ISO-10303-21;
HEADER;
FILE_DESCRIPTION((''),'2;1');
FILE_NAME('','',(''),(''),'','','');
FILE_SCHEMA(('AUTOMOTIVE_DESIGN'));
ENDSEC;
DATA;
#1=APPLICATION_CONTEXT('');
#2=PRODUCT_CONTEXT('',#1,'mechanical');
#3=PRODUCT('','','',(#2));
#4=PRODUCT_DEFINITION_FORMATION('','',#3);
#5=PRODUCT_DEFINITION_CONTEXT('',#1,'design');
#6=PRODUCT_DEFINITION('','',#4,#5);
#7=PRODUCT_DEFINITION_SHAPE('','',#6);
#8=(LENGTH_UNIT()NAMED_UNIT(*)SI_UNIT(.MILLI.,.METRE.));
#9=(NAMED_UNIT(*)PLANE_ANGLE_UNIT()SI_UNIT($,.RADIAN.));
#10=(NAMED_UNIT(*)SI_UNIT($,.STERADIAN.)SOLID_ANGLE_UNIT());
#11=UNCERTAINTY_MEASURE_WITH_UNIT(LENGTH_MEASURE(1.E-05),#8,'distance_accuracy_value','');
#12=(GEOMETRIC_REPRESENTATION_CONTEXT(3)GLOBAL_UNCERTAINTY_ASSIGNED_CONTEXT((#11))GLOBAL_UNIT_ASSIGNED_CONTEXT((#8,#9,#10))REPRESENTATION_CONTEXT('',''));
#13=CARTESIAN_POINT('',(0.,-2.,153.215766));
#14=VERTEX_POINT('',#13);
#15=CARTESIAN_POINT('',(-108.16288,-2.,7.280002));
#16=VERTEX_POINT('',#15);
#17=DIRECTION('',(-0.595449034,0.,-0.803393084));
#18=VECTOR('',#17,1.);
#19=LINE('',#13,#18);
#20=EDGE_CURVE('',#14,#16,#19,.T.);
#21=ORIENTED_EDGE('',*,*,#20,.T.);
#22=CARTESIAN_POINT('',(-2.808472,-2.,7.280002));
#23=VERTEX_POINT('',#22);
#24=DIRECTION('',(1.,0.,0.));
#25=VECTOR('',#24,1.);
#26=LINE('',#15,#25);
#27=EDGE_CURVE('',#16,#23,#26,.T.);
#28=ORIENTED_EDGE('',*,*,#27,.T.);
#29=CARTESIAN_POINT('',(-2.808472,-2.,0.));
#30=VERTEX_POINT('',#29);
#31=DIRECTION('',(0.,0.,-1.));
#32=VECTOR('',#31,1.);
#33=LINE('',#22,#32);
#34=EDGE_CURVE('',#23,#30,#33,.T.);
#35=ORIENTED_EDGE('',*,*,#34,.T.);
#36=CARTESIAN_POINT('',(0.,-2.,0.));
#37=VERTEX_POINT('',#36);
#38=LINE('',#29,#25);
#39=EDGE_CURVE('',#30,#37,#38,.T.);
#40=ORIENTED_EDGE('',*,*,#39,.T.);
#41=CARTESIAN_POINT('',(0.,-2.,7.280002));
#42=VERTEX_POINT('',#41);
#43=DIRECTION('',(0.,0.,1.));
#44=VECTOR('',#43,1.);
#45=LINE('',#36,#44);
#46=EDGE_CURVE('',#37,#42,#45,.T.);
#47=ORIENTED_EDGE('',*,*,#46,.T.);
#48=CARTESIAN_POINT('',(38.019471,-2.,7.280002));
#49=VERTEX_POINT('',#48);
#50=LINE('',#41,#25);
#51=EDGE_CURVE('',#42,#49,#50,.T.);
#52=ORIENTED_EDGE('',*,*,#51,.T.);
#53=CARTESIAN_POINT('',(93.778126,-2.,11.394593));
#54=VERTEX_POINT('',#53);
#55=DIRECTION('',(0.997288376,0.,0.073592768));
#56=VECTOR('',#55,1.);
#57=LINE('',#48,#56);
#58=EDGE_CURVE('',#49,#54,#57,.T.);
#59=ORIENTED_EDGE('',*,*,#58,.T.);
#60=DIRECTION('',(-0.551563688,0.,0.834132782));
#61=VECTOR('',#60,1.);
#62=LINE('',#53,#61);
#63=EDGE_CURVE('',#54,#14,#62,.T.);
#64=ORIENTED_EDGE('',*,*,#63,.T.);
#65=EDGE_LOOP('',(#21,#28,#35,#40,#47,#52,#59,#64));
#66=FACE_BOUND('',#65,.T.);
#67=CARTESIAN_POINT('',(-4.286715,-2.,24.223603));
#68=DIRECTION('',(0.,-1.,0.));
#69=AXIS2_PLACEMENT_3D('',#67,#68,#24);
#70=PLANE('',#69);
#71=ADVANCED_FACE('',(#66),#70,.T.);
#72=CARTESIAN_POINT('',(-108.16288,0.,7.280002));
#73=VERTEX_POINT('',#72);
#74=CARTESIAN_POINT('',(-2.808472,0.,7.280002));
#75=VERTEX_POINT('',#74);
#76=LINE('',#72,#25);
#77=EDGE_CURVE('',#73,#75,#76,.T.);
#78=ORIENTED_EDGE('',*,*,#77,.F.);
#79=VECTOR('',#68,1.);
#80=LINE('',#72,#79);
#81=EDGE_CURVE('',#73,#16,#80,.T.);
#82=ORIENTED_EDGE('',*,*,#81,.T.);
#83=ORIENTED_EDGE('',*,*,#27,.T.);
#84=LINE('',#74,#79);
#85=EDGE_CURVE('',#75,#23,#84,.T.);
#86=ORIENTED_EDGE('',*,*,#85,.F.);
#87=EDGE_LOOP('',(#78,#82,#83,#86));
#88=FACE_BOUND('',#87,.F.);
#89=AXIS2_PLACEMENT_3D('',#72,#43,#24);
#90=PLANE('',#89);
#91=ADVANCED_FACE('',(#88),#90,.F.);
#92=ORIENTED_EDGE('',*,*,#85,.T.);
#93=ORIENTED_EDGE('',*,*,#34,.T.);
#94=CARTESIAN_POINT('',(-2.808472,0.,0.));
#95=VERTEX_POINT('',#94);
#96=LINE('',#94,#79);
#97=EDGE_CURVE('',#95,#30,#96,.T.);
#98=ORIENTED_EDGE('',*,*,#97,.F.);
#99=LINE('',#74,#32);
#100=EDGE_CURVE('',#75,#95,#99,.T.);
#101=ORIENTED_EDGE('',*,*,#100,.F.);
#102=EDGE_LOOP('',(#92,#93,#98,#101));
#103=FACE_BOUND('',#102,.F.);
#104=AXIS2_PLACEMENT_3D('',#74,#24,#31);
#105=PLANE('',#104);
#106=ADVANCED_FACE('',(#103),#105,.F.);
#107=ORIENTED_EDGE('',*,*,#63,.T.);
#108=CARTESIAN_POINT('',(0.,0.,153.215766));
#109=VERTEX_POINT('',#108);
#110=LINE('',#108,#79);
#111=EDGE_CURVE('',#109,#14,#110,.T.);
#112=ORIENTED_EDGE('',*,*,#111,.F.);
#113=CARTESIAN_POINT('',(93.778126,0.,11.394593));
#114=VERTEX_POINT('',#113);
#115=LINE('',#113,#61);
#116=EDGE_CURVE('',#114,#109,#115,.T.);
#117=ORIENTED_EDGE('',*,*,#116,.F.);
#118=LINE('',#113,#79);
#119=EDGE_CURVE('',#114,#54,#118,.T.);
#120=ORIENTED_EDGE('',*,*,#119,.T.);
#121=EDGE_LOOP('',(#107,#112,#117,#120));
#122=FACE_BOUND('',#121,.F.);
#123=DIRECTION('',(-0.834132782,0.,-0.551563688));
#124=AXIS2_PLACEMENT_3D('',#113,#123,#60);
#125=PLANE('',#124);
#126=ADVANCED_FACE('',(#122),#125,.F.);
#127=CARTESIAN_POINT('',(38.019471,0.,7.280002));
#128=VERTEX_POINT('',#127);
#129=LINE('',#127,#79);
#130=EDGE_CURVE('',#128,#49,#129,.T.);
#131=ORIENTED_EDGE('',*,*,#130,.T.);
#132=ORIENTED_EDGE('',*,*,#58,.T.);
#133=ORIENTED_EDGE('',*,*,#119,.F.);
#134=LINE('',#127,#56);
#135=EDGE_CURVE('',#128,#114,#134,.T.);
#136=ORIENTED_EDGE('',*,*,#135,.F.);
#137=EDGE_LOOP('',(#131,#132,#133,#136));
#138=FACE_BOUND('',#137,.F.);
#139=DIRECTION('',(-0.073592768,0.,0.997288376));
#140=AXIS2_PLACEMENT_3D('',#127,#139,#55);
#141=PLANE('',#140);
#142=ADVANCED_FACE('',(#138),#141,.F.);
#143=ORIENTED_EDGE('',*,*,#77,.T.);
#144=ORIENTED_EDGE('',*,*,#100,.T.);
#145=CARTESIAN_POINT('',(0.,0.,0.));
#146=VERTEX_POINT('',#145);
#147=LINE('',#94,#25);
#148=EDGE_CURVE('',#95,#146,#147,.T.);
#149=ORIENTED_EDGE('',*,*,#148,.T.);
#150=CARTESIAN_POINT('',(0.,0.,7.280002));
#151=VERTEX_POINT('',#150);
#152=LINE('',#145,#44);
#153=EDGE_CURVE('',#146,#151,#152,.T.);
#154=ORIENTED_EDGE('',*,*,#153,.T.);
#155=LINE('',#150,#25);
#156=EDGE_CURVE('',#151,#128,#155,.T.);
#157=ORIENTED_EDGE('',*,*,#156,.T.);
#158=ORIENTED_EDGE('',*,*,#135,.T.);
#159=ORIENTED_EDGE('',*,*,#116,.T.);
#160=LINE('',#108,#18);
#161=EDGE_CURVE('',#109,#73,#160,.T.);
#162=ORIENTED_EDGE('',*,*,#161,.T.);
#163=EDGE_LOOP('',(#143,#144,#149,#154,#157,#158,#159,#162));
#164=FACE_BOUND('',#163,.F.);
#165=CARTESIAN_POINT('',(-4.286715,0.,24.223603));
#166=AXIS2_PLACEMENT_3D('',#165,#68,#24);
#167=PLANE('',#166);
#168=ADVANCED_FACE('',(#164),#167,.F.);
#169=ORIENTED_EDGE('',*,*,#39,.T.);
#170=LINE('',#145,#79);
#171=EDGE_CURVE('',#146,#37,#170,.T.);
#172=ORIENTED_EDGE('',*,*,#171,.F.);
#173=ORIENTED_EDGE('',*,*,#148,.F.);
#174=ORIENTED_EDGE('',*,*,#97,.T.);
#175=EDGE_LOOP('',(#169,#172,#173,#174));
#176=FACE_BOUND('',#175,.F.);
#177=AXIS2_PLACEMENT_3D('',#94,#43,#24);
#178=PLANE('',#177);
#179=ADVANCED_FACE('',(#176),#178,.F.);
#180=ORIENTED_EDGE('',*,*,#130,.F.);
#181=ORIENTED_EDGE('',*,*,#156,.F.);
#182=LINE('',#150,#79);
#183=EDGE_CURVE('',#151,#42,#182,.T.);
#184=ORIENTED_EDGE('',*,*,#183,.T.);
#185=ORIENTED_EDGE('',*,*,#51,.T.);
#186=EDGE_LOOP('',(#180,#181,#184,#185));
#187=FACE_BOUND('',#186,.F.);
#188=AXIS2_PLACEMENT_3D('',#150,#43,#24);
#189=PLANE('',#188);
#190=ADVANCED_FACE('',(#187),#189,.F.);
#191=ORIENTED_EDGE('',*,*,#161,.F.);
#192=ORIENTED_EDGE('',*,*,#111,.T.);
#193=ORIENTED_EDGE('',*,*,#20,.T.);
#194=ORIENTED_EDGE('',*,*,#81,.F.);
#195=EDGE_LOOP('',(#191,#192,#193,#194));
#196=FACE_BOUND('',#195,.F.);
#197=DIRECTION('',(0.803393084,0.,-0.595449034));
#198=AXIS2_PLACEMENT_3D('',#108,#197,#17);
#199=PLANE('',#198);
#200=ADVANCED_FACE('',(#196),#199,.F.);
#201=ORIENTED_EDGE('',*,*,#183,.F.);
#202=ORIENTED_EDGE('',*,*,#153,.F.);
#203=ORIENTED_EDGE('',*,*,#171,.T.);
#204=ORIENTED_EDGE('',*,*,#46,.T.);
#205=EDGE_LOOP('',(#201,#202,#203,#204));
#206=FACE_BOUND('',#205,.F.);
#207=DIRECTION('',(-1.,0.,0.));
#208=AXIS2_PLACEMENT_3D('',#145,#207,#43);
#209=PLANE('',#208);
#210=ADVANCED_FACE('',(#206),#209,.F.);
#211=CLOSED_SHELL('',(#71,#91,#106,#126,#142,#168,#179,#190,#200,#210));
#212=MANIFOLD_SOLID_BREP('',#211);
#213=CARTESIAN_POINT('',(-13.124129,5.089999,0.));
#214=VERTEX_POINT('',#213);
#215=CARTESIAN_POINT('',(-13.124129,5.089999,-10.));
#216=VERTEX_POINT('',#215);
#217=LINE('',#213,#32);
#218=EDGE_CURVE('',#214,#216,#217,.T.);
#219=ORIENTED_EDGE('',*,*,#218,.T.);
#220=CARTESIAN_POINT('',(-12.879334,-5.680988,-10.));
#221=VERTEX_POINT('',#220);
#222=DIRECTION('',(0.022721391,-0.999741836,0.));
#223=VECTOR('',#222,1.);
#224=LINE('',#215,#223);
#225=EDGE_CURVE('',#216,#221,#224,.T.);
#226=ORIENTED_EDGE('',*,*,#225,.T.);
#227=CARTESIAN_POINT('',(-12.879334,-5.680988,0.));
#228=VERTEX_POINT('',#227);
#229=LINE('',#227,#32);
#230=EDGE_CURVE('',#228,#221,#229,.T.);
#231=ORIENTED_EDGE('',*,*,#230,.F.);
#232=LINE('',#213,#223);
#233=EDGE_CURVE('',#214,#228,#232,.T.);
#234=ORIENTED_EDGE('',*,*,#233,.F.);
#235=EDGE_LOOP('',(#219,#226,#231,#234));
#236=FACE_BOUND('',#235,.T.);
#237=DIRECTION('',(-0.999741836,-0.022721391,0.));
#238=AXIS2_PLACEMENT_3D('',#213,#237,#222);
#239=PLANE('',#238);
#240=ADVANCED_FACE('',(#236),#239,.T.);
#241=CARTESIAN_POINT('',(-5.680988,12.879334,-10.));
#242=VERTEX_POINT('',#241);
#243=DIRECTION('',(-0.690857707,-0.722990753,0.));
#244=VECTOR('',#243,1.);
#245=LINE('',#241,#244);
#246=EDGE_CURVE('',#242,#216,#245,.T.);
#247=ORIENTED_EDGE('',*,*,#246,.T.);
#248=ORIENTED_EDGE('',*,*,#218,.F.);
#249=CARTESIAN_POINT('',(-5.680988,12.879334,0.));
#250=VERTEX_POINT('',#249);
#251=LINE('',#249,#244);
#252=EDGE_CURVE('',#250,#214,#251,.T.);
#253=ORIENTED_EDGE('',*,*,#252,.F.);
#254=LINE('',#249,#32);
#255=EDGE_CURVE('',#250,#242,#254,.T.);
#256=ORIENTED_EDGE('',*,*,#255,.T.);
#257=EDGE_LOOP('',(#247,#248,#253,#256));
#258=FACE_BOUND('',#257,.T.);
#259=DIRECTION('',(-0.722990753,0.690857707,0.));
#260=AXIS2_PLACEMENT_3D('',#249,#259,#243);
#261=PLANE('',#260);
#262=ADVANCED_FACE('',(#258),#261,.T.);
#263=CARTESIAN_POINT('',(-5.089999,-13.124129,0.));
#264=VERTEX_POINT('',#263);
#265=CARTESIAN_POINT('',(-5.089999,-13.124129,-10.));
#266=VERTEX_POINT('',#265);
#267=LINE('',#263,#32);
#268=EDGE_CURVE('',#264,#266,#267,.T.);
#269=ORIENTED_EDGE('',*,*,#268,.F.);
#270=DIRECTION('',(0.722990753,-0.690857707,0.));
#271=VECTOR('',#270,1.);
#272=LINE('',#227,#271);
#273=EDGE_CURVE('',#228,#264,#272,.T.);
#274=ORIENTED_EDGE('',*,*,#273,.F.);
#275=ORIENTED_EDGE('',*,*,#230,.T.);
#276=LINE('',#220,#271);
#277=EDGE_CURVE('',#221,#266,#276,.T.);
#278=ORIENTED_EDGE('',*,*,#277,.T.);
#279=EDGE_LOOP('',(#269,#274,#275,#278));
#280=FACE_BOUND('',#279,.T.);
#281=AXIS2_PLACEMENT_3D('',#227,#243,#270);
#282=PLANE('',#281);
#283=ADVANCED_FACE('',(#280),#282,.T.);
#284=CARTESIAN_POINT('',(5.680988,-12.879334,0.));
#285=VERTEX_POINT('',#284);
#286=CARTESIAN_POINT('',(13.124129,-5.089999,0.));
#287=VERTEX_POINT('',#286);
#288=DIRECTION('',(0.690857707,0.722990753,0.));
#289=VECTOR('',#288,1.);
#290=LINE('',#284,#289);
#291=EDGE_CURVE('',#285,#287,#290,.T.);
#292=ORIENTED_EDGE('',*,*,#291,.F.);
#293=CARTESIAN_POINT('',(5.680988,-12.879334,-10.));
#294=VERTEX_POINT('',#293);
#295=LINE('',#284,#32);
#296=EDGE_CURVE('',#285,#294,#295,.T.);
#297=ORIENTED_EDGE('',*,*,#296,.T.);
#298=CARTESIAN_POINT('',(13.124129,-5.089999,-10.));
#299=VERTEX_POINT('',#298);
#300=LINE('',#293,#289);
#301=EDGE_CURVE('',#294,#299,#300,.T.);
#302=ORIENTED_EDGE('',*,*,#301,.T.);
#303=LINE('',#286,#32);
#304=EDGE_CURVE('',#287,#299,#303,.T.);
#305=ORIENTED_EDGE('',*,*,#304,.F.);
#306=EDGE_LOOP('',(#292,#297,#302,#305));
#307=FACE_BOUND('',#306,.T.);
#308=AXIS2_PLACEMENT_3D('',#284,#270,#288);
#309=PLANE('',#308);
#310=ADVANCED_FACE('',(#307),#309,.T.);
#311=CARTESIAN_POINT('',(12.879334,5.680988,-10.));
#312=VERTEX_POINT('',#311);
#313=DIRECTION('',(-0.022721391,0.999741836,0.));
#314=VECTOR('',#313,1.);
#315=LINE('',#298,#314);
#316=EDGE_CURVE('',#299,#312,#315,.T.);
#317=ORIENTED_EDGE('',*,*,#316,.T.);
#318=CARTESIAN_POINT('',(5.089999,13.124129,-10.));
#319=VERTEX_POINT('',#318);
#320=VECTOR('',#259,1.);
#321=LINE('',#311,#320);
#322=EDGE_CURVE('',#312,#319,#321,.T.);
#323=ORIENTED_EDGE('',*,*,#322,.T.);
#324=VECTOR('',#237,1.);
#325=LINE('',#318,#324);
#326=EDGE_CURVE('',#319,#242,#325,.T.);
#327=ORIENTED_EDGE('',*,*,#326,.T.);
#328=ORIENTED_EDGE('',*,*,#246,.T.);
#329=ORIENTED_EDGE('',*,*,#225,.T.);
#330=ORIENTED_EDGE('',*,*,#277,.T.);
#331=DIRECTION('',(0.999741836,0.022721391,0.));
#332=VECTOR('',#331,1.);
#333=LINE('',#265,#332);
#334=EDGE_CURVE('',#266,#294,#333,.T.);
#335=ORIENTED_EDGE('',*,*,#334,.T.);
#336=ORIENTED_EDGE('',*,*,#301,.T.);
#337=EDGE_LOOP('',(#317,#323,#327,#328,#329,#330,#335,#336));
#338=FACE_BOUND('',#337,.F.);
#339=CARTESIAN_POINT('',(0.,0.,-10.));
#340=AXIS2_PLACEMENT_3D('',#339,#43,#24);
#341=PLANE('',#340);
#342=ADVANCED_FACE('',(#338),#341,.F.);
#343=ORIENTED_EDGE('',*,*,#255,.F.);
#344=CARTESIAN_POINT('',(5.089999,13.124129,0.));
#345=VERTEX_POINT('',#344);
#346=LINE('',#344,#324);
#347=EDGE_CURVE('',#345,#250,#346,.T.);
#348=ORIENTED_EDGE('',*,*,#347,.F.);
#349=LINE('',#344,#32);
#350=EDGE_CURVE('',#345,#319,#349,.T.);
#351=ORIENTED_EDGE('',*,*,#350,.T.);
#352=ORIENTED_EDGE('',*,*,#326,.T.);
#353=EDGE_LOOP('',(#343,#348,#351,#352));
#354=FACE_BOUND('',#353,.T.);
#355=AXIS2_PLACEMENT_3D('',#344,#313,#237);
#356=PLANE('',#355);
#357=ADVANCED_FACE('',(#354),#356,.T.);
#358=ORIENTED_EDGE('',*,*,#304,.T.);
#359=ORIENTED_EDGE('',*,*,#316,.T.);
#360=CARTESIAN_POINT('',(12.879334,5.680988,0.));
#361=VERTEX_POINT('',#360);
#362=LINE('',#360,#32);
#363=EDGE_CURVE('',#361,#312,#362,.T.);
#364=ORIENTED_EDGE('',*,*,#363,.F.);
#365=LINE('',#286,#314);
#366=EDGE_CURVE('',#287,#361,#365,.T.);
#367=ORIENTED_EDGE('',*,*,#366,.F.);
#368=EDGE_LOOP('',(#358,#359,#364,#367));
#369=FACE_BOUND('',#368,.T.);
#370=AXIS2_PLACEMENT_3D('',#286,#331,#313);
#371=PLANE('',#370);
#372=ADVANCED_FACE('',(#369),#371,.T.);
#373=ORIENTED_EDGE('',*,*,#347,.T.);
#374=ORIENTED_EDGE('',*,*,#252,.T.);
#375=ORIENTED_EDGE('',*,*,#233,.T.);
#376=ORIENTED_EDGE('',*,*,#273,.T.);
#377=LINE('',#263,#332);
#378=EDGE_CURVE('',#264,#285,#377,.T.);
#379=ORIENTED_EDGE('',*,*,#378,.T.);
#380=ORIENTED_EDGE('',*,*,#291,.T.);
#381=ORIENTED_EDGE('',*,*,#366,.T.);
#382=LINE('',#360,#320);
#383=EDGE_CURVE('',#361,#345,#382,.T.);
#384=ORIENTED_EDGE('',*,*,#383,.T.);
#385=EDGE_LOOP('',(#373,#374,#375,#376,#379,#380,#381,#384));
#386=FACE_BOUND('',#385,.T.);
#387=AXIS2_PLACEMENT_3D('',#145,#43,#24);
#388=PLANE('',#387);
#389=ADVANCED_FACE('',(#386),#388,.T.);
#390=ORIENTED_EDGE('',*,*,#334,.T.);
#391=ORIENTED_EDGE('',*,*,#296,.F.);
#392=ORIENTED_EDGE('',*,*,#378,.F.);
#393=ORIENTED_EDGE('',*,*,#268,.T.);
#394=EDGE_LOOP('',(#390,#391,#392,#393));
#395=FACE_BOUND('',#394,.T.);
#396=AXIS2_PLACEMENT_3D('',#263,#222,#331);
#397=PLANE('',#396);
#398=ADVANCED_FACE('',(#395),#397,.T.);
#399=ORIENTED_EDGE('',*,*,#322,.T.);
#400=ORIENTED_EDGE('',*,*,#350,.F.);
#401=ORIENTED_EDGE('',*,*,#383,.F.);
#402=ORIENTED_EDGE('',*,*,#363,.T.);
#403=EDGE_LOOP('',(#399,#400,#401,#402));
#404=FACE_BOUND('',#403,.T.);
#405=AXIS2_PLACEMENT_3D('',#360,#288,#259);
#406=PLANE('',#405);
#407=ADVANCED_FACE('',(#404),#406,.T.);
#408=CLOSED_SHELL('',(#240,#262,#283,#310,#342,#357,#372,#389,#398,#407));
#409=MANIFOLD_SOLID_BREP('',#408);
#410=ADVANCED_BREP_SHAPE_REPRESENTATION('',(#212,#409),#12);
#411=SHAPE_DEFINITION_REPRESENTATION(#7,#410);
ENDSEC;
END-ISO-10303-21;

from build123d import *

# Parameters (mm, degrees)
F1_DEPTH = 10
F3_DEPTH = 2


with BuildPart() as f1:
    # F0 (on Top) → F1 (new body)
    with BuildSketch(Plane.XY):
        Polygon((-5.680988, 12.879334), (-13.124129, 5.089999), (-12.879334, -5.680988), (-5.089999, -13.124129), (5.680988, -12.879334), (13.124129, -5.089999), (12.879334, 5.680988), (5.089999, 13.124129), align=None)
    extrude(amount=-F1_DEPTH)


with BuildPart() as f3:
    # F2 (on Front) → F3 (new body)
    with BuildSketch(Plane.XZ):
        Polygon((-2.808472, 0), (0, 0), (0, 7.280002), (0, 14.560004), (20.74383, 14.560004), (0, 42.571541), (0, 55.319596), (-31.359844, 14.560004), (-5.616945, 14.560004), (-2.808472, 7.280002), align=None)
        Polygon((0, 14.560004), (0, 7.280002), (38.019471, 7.280002), (0, 62.504523), (0, 90.102866), (-49.321156, 7.280002), (-2.808472, 7.280002), (-5.616945, 14.560004), (-31.359844, 14.560004), (0, 55.319596), (0, 42.571541), (20.74383, 14.560004), align=None)
        Polygon((0, 62.504523), (38.019471, 7.280002), (93.778126, 11.394593), (0, 153.215766), (-108.16288, 7.280002), (-49.321156, 7.280002), (0, 90.102866), align=None)
    extrude(amount=F3_DEPTH)


solid = Compound([f1.part, f3.part])
